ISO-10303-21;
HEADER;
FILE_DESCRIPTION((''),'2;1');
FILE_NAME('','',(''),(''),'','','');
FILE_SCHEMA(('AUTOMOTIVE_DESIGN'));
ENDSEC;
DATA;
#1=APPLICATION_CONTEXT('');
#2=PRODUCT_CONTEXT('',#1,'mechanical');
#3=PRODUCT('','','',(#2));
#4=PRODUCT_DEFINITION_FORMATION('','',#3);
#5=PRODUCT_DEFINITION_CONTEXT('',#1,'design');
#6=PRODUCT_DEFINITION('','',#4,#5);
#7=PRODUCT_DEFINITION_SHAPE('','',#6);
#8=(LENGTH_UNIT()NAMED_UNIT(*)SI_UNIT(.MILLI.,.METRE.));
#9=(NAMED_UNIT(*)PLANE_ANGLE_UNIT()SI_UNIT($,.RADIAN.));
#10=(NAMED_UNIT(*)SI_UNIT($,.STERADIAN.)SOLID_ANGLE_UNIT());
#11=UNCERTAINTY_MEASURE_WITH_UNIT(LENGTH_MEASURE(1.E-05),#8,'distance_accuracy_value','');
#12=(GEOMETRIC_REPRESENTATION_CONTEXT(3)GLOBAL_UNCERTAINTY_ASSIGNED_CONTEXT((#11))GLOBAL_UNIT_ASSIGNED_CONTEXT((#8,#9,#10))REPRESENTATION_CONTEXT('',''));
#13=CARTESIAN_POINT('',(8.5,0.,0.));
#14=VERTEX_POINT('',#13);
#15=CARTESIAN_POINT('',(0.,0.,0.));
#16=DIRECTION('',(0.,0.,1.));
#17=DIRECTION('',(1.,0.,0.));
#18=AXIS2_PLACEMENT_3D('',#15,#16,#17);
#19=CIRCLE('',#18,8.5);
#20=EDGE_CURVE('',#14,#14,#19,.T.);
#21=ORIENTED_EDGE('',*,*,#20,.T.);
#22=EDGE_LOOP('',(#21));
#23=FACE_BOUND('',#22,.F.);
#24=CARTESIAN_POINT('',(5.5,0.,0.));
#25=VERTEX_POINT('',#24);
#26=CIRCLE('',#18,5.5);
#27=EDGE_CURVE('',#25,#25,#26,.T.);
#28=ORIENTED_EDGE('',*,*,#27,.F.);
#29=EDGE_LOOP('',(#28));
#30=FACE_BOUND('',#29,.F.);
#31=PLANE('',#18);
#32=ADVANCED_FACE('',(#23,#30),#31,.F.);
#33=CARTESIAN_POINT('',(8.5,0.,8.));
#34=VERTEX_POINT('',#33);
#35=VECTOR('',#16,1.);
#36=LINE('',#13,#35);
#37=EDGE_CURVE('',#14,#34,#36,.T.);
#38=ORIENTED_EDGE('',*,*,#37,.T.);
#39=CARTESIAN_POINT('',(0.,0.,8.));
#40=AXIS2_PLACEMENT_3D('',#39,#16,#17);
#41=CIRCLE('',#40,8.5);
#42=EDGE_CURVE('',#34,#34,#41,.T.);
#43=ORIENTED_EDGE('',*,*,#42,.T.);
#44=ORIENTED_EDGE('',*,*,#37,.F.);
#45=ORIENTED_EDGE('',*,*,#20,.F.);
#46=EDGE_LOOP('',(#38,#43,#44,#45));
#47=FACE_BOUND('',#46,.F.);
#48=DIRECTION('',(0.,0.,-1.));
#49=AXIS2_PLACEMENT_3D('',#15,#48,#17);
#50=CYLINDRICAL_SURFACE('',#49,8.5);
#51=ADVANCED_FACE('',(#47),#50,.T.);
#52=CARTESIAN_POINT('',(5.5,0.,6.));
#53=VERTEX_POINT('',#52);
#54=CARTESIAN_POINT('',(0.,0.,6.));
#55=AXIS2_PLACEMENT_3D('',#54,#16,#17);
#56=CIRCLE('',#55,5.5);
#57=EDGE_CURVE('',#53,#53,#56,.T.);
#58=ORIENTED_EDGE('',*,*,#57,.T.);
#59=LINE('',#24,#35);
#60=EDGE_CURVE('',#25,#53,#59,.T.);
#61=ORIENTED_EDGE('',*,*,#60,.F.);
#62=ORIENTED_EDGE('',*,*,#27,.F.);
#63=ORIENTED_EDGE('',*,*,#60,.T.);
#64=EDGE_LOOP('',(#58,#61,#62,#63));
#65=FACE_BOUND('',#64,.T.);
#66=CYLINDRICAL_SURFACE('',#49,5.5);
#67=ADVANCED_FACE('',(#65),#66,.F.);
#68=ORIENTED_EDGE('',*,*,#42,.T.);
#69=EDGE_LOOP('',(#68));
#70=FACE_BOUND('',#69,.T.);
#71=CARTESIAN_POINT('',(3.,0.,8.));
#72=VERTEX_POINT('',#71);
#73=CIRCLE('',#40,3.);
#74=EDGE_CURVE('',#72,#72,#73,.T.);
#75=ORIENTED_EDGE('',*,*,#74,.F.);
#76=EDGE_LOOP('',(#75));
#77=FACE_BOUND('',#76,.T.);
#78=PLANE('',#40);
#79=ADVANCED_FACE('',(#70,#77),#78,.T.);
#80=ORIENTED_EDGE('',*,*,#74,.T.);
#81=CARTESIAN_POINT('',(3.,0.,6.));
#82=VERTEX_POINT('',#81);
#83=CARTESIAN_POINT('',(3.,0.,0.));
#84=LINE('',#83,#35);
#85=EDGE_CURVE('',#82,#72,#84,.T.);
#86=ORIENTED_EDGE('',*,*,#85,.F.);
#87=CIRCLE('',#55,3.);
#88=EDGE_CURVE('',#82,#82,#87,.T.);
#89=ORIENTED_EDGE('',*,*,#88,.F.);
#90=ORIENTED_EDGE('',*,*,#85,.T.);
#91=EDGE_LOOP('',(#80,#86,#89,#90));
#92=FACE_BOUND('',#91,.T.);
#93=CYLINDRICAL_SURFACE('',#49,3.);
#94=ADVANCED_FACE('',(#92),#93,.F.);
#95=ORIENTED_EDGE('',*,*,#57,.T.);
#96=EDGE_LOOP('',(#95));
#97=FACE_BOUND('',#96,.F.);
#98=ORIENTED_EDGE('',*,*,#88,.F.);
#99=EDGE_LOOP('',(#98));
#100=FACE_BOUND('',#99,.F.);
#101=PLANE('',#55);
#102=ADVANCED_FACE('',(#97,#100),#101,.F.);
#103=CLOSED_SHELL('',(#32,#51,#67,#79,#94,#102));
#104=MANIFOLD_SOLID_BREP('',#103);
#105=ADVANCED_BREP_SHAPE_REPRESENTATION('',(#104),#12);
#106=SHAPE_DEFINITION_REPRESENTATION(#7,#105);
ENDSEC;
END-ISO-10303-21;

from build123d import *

# Parameters (mm, degrees)
F0_R     = 8.5
F0_R_2   = 5.5
F1_DEPTH = 8
F0_R_3   = 3
F2_DEPTH = 8
F3_DEPTH = 6


with BuildPart() as f1:
    # F0 (on Top) → F1 (new body)
    with BuildSketch(Plane.XY):
        Circle(F0_R)
        Circle(F0_R_2, mode=Mode.SUBTRACT)
    extrude(amount=F1_DEPTH)

    # F0 (on Top) → F2 (join)
    with BuildSketch(Plane.XY):
        Circle(F0_R_2)
        Circle(F0_R_3, mode=Mode.SUBTRACT)
    extrude(amount=F2_DEPTH)

    # F0 (on Top) → F3 (cut)
    with BuildSketch(Plane.XY):
        Circle(F0_R_2)
        Circle(F0_R_3, mode=Mode.SUBTRACT)
    extrude(amount=F3_DEPTH, mode=Mode.SUBTRACT)


solid = f1.part
